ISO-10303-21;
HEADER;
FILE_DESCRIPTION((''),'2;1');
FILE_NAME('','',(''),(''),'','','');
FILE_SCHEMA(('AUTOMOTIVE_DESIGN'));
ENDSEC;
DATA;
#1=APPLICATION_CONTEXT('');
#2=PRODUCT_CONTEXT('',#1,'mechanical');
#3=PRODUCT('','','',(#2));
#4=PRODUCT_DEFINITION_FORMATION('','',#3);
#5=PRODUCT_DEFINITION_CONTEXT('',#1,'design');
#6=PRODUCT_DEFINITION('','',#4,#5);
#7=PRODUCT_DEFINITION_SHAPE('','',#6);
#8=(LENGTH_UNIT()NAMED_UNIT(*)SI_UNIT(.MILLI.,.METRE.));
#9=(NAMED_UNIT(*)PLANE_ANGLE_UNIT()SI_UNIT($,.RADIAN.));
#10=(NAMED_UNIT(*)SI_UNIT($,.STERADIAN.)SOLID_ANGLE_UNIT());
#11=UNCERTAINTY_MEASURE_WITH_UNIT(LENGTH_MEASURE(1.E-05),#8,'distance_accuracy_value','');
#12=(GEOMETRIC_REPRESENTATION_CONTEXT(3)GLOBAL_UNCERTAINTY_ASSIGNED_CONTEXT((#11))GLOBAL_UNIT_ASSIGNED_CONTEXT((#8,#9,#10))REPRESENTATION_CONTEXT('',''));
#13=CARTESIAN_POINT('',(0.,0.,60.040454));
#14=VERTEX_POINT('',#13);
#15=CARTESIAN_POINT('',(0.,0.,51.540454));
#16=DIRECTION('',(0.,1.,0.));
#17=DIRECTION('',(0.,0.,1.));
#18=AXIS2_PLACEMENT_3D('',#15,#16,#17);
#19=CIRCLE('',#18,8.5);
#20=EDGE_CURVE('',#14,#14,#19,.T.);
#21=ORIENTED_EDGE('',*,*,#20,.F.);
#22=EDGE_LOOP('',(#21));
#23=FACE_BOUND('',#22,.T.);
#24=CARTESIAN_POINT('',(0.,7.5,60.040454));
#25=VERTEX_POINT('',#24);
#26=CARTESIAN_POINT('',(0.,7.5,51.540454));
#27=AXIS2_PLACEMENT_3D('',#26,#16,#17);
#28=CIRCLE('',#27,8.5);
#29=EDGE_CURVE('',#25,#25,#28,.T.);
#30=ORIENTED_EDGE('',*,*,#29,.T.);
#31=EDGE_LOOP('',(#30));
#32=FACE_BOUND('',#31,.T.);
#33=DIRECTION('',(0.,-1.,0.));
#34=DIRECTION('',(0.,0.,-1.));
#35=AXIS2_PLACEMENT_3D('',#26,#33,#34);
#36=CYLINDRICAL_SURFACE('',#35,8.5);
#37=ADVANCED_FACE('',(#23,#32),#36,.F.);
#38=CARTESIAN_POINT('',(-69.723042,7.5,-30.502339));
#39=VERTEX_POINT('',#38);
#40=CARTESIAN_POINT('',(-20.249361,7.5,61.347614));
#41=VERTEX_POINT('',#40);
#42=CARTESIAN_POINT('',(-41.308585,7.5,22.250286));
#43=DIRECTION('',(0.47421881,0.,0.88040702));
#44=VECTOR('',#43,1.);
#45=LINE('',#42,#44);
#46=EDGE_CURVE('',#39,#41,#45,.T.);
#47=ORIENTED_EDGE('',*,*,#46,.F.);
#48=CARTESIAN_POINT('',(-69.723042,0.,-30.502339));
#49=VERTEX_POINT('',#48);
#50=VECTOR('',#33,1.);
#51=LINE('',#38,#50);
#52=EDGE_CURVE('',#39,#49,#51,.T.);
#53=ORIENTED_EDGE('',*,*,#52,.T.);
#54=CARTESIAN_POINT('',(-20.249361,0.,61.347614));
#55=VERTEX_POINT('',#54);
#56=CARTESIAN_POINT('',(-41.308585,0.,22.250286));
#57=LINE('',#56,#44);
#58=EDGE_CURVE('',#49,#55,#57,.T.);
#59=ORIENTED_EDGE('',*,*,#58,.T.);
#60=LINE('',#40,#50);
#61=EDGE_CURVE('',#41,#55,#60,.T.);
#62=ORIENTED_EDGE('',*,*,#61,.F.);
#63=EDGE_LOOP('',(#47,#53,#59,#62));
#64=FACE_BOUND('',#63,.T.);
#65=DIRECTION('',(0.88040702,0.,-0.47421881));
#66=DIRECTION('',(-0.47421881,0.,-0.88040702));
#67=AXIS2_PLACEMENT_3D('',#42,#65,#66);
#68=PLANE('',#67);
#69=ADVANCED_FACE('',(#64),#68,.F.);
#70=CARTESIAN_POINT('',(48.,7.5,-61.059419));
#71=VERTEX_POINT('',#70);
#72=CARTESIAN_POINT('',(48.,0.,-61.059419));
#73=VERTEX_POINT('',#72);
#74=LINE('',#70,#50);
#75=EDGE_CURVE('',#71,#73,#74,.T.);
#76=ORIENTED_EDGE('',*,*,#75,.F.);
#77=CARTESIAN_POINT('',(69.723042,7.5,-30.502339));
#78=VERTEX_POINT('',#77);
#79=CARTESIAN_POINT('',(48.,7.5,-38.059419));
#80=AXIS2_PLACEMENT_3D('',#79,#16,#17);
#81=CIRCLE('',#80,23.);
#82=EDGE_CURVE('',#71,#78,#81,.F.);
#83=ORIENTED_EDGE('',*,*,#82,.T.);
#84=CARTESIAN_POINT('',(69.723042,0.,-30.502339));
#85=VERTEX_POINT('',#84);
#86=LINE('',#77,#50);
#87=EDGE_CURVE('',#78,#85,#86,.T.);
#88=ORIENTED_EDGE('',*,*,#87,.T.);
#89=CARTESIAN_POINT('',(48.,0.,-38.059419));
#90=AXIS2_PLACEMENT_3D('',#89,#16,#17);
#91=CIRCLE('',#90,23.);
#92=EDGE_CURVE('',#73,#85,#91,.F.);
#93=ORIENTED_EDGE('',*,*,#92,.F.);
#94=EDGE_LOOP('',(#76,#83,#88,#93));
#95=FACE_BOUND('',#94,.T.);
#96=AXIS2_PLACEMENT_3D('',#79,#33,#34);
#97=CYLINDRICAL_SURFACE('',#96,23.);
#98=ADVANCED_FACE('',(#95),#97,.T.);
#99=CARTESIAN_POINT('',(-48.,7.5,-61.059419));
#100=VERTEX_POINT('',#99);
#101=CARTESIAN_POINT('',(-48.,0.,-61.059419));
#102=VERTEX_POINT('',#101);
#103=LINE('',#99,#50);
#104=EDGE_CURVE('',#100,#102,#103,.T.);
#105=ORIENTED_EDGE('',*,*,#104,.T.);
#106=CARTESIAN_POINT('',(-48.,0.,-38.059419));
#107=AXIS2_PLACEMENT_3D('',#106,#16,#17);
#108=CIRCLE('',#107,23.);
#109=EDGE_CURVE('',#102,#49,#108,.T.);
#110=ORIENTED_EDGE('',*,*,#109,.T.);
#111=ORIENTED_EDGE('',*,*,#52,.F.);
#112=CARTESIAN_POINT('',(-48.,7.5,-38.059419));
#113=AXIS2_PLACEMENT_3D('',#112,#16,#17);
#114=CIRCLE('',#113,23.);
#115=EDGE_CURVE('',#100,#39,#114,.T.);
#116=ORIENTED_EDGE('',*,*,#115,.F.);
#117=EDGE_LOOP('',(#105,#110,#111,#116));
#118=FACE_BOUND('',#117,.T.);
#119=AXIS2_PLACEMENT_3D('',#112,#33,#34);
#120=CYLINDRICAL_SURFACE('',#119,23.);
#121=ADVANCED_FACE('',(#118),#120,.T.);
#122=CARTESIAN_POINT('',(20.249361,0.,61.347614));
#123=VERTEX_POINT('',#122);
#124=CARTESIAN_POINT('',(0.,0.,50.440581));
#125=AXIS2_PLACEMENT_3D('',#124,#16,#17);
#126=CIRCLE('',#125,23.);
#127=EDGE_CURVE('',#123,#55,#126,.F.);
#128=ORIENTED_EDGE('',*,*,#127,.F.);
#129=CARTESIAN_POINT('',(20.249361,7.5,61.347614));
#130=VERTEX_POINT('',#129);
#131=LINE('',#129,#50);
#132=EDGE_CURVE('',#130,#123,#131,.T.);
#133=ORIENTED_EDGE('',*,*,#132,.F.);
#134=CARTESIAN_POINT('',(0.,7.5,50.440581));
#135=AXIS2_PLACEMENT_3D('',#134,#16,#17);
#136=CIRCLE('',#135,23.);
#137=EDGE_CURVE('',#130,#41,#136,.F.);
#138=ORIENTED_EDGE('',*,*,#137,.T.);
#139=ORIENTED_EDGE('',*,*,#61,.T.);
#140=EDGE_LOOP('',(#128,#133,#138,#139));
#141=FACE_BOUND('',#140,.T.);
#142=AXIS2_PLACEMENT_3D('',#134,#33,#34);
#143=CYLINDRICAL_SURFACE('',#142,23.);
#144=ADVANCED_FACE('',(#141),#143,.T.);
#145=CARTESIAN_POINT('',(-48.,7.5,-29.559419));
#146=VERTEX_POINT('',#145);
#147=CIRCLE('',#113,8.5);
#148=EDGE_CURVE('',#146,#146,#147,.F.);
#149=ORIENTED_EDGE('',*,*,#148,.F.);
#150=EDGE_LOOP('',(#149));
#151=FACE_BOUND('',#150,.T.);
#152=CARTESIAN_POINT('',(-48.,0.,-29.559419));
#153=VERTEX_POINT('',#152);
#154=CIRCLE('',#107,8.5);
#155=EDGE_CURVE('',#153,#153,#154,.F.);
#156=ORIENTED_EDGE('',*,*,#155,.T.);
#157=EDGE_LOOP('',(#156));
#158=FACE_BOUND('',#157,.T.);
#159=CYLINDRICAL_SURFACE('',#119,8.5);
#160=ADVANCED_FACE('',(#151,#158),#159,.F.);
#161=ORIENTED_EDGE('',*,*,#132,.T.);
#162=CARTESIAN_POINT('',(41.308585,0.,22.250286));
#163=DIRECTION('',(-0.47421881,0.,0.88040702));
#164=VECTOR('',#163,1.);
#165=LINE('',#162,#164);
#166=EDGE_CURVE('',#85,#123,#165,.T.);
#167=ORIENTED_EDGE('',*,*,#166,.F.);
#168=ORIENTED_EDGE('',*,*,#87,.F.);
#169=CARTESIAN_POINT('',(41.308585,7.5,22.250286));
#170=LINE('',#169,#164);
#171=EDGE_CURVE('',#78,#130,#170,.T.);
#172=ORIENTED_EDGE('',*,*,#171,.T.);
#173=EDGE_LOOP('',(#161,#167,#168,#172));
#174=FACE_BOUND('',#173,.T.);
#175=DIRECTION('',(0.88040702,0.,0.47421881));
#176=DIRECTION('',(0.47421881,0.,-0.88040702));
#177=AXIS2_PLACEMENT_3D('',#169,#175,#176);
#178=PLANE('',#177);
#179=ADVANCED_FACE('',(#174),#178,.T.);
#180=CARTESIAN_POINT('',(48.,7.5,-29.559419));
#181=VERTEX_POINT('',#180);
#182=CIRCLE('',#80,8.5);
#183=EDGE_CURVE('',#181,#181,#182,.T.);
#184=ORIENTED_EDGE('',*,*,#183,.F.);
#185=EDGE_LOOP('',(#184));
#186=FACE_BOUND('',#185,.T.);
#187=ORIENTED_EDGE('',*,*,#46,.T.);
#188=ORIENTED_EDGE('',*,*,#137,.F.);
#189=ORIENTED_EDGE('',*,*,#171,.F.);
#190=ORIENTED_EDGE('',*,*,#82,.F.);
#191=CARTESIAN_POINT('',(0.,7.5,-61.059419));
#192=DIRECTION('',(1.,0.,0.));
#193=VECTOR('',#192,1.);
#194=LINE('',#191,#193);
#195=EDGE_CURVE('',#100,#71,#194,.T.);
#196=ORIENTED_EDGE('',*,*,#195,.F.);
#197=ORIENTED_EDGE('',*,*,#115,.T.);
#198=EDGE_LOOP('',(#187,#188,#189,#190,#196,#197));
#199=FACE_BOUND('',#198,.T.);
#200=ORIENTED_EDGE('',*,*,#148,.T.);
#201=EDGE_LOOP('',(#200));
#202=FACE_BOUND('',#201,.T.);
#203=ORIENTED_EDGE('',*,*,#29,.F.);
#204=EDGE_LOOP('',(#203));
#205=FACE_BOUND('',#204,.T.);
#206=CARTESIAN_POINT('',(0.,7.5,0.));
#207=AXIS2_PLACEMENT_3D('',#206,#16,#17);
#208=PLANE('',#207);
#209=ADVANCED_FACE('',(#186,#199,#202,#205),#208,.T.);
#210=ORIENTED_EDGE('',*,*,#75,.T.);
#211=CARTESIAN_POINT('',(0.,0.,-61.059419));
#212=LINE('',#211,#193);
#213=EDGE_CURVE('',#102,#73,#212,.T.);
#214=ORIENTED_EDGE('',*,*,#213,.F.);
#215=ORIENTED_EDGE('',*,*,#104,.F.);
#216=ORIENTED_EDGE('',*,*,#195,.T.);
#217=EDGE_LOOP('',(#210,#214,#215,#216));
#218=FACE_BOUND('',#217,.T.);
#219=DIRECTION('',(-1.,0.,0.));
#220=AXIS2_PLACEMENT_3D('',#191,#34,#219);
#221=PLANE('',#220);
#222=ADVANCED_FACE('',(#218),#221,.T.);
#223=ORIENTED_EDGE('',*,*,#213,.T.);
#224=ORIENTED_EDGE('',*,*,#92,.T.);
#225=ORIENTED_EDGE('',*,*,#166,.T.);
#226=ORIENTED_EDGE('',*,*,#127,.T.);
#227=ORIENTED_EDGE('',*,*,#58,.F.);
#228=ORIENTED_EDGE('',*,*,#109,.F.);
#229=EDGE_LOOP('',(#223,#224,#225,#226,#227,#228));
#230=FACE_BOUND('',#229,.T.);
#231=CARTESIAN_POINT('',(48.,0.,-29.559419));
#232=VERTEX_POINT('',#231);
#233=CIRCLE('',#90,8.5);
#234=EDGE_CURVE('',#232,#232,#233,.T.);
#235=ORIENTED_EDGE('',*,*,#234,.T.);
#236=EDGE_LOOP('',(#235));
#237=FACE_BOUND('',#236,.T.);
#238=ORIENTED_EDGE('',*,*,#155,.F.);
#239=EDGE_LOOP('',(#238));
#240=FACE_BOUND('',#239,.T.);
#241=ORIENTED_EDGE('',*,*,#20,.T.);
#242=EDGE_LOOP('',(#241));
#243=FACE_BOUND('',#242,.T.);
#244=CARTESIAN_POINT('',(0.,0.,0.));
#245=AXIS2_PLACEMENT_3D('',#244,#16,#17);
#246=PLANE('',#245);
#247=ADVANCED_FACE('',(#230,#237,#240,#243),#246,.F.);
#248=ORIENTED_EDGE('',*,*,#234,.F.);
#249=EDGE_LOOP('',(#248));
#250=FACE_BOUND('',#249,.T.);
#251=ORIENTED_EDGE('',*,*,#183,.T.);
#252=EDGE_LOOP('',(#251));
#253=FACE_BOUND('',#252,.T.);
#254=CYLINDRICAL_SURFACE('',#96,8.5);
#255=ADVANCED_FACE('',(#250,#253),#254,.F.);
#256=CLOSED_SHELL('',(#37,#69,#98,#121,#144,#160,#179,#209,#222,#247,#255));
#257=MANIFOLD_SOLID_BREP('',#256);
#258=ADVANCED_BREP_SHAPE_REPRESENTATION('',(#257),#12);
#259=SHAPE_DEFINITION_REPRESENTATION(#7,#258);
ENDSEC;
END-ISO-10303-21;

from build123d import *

# Parameters (mm, degrees)
SKETCH2_R           = 8.5
BOSS_EXTRUDE1_DEPTH = 7.5


with BuildPart() as part:
    # Sketch2 → Boss-Extrude1 (new body)
    # profile 1 of 2: a face of its own
    with BuildSketch(Plane(origin=(0, 0, 0), x_dir=(1, 0, 0), z_dir=(0, 1, 0))):
        with BuildLine():
            Line((0, 61.059418618), (-48, 61.059418618))
            ThreePointArc((-48, 61.059418618), (-66.745837136, 51.385843122), (-69.723042032, 30.502339493))
            Line((-69.723042032, 30.502339493), (-20.24936145, -61.347614016))
            ThreePointArc((-20.24936145, -61.347614016), (-11.792757299, -70.18724883), (0, -73.440581382))
            Line((0, -73.440581382), (0, -60.040453624))
            ThreePointArc((0, -60.040453624), (-8.5, -51.540453624), (0, -43.040453624))
            Line((0, -43.040453624), (0, 61.059418618))
        make_face()
        with Locations(Location((-48, 38.059418618, 0), (0, 0, 270))):
            Circle(SKETCH2_R, mode=Mode.SUBTRACT)
    # profile 2 of 2: a face of its own
    with BuildSketch(Plane(origin=(0, 0, 0), x_dir=(1, 0, 0), z_dir=(0, 1, 0))):
        with BuildLine():
            Line((48, 61.059418618), (0, 61.059418618))
            Line((0, 61.059418618), (0, -43.040453624))
            ThreePointArc((0, -43.040453624), (6.01040764, -45.530045984), (8.5, -51.540453624))
            ThreePointArc((8.5, -51.540453624), (6.01040764, -57.550861264), (0, -60.040453624))
            Line((0, -60.040453624), (0, -73.440581382))
            ThreePointArc((0, -73.440581382), (11.792757299, -70.18724883), (20.24936145, -61.347614016))
            Line((20.24936145, -61.347614016), (69.723042032, 30.502339493))
            ThreePointArc((69.723042032, 30.502339493), (66.745837136, 51.385843122), (48, 61.059418618))
        make_face()
        with Locations(Location((48, 38.059418618, 0), (0, 0, 270))):
            Circle(SKETCH2_R, mode=Mode.SUBTRACT)
    extrude(amount=BOSS_EXTRUDE1_DEPTH)


solid = part.part
